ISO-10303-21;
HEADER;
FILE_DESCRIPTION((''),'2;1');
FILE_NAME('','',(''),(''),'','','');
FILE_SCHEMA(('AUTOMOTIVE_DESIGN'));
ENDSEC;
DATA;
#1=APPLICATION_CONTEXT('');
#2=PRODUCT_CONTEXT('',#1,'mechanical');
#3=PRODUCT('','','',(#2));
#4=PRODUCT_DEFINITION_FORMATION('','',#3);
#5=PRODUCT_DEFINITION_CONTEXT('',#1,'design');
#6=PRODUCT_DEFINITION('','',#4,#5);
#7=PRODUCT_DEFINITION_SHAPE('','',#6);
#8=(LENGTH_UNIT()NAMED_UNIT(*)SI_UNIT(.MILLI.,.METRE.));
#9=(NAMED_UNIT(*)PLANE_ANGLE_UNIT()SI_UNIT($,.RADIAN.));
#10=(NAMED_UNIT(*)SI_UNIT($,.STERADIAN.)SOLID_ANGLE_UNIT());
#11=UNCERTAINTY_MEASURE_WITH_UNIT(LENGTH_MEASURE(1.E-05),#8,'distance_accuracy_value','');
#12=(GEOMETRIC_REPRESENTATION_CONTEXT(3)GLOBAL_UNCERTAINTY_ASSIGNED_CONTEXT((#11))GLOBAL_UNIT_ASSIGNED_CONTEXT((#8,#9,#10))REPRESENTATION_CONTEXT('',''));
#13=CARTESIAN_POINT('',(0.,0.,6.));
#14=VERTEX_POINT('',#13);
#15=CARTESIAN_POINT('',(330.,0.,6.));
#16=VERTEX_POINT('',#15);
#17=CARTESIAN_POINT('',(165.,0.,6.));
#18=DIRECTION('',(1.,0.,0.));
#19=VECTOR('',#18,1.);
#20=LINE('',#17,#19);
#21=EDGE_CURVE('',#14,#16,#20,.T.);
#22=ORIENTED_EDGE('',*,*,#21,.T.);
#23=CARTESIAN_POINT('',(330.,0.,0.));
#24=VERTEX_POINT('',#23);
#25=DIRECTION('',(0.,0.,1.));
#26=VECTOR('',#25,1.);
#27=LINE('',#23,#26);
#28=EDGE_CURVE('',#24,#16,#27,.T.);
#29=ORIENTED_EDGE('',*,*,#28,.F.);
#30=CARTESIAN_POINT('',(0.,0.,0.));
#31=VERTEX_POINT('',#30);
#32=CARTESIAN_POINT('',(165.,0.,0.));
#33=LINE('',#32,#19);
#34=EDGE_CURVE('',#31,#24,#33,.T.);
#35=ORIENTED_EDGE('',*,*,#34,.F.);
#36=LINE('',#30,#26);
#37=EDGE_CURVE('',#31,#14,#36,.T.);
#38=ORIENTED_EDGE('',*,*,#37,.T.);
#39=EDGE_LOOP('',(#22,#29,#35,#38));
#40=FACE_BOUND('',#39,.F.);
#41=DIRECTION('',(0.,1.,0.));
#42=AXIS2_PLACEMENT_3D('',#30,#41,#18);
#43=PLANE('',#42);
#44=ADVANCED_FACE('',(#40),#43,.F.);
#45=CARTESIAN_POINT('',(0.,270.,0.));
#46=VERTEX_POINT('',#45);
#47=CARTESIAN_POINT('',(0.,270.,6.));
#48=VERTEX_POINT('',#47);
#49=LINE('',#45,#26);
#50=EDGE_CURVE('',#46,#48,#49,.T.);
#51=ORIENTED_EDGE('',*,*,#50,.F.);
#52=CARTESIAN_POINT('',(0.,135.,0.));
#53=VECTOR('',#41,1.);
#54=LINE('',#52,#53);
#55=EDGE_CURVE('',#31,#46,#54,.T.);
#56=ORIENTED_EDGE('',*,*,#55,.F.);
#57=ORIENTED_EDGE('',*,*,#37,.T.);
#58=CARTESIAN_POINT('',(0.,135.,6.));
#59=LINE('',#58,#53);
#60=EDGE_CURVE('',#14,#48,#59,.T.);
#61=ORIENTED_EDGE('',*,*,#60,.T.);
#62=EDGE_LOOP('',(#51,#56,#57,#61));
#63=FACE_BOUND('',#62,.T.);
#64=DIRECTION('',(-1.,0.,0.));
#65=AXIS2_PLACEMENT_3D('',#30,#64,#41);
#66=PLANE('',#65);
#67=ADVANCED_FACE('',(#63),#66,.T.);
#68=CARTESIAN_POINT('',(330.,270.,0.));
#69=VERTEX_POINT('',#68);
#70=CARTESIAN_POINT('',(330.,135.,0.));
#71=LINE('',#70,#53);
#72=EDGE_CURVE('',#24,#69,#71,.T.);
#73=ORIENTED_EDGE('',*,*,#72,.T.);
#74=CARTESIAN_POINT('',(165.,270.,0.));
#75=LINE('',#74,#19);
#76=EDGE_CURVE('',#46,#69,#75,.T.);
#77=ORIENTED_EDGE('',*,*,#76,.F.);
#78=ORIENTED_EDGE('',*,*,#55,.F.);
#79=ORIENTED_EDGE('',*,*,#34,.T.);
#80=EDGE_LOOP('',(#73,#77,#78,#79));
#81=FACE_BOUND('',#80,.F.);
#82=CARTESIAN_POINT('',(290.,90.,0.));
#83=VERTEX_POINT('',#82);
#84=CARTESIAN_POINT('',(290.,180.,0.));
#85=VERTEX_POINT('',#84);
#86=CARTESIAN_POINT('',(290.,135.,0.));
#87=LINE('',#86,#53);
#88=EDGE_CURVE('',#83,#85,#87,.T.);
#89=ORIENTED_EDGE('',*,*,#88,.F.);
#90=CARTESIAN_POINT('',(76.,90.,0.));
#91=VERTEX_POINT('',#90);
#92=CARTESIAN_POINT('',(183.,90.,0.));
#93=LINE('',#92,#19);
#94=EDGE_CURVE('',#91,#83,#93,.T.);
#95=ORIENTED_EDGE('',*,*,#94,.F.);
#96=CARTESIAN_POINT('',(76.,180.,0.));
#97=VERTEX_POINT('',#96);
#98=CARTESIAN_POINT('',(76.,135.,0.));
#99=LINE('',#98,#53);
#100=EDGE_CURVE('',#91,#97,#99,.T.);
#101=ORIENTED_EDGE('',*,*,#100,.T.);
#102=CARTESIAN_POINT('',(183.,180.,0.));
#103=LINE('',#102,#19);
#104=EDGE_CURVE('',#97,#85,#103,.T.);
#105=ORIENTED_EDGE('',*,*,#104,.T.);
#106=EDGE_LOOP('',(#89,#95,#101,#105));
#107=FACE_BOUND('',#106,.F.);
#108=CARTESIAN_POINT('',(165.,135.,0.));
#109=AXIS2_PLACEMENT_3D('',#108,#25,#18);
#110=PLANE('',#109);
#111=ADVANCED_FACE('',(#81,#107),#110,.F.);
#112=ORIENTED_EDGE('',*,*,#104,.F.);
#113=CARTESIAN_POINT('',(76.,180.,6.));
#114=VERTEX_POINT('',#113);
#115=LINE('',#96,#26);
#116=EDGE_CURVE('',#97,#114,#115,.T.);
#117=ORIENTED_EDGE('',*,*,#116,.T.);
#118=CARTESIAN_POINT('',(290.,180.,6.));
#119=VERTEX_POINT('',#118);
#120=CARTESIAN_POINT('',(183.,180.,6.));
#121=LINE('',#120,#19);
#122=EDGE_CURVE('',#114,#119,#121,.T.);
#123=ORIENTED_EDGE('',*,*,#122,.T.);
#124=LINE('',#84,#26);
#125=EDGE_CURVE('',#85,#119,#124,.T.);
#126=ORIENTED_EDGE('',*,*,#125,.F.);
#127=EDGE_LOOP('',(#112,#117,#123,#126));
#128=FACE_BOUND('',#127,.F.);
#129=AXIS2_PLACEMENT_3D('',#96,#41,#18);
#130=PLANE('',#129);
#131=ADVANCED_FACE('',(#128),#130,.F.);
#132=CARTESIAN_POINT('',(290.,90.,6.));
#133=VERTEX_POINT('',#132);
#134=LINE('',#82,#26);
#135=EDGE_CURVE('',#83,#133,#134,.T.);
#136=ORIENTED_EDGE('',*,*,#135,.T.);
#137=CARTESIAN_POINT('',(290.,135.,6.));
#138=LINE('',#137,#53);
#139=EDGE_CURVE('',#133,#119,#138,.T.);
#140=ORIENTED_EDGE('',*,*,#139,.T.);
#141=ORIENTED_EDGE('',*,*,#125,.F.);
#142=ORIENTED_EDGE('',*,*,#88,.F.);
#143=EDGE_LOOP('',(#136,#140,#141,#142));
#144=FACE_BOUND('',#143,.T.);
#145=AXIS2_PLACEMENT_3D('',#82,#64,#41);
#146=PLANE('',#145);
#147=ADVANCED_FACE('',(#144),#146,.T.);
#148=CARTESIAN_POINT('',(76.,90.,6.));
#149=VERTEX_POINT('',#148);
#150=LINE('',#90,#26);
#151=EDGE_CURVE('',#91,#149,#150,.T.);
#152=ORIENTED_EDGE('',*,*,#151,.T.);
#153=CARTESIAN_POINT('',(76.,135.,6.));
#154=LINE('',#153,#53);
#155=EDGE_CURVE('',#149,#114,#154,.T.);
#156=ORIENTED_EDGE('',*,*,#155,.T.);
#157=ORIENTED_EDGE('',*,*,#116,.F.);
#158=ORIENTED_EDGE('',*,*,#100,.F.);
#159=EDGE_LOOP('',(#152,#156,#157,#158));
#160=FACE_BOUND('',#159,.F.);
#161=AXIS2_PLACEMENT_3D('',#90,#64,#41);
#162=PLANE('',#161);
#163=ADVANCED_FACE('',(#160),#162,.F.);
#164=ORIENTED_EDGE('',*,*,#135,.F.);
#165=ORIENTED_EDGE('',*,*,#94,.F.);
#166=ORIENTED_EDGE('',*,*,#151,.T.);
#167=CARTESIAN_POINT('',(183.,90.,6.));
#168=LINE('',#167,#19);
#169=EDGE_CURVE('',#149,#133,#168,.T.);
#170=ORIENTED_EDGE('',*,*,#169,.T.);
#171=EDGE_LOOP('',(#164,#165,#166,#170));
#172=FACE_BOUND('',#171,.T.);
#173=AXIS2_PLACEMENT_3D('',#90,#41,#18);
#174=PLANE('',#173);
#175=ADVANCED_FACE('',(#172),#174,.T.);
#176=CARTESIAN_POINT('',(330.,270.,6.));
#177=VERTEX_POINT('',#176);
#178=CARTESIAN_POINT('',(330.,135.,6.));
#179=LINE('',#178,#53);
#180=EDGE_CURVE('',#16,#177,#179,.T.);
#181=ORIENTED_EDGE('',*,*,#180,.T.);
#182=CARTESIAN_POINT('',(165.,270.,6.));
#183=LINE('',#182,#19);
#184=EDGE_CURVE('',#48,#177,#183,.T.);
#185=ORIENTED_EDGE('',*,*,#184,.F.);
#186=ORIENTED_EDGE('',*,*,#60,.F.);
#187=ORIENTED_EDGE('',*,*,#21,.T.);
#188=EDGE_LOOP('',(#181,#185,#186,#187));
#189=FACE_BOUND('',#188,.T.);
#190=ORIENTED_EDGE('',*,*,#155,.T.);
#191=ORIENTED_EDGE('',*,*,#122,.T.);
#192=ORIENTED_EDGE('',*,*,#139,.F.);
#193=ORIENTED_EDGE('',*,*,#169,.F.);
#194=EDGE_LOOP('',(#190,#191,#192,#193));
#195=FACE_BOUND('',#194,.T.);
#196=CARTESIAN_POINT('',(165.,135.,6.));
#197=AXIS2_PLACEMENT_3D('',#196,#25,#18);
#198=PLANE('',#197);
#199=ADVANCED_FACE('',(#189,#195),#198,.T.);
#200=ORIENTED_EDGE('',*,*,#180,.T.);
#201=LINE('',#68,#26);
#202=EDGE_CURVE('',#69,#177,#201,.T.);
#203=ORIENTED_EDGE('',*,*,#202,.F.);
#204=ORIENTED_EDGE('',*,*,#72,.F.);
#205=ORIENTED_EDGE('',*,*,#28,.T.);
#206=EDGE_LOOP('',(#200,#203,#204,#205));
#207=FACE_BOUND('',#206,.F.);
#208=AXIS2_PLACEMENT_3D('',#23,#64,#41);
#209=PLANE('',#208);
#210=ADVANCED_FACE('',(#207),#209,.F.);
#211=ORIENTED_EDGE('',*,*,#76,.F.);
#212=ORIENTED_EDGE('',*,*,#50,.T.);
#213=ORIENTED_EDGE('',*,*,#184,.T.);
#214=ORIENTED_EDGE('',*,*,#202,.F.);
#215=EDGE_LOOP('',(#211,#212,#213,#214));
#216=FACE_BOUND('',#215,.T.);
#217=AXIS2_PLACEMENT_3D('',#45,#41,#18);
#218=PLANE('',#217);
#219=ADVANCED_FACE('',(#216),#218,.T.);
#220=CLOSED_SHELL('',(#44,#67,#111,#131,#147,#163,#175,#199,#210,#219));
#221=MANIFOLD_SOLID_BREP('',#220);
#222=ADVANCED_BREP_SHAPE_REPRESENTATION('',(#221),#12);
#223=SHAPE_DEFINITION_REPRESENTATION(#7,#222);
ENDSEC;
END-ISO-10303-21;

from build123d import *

# Parameters (mm, degrees)
SKETCH_W   = 330
SKETCH_H   = 270
SKETCH_W_2 = 214
SKETCH_H_2 = 90
PAD_DEPTH  = 6


with BuildPart() as part:
    # Sketch → Pad (new body)
    with BuildSketch(Plane.XY):
        with Locations((165, 135)):
            Rectangle(SKETCH_W, SKETCH_H)
        with Locations((183, 135)):
            Rectangle(SKETCH_W_2, SKETCH_H_2, mode=Mode.SUBTRACT)
    extrude(amount=PAD_DEPTH)


solid = part.part
